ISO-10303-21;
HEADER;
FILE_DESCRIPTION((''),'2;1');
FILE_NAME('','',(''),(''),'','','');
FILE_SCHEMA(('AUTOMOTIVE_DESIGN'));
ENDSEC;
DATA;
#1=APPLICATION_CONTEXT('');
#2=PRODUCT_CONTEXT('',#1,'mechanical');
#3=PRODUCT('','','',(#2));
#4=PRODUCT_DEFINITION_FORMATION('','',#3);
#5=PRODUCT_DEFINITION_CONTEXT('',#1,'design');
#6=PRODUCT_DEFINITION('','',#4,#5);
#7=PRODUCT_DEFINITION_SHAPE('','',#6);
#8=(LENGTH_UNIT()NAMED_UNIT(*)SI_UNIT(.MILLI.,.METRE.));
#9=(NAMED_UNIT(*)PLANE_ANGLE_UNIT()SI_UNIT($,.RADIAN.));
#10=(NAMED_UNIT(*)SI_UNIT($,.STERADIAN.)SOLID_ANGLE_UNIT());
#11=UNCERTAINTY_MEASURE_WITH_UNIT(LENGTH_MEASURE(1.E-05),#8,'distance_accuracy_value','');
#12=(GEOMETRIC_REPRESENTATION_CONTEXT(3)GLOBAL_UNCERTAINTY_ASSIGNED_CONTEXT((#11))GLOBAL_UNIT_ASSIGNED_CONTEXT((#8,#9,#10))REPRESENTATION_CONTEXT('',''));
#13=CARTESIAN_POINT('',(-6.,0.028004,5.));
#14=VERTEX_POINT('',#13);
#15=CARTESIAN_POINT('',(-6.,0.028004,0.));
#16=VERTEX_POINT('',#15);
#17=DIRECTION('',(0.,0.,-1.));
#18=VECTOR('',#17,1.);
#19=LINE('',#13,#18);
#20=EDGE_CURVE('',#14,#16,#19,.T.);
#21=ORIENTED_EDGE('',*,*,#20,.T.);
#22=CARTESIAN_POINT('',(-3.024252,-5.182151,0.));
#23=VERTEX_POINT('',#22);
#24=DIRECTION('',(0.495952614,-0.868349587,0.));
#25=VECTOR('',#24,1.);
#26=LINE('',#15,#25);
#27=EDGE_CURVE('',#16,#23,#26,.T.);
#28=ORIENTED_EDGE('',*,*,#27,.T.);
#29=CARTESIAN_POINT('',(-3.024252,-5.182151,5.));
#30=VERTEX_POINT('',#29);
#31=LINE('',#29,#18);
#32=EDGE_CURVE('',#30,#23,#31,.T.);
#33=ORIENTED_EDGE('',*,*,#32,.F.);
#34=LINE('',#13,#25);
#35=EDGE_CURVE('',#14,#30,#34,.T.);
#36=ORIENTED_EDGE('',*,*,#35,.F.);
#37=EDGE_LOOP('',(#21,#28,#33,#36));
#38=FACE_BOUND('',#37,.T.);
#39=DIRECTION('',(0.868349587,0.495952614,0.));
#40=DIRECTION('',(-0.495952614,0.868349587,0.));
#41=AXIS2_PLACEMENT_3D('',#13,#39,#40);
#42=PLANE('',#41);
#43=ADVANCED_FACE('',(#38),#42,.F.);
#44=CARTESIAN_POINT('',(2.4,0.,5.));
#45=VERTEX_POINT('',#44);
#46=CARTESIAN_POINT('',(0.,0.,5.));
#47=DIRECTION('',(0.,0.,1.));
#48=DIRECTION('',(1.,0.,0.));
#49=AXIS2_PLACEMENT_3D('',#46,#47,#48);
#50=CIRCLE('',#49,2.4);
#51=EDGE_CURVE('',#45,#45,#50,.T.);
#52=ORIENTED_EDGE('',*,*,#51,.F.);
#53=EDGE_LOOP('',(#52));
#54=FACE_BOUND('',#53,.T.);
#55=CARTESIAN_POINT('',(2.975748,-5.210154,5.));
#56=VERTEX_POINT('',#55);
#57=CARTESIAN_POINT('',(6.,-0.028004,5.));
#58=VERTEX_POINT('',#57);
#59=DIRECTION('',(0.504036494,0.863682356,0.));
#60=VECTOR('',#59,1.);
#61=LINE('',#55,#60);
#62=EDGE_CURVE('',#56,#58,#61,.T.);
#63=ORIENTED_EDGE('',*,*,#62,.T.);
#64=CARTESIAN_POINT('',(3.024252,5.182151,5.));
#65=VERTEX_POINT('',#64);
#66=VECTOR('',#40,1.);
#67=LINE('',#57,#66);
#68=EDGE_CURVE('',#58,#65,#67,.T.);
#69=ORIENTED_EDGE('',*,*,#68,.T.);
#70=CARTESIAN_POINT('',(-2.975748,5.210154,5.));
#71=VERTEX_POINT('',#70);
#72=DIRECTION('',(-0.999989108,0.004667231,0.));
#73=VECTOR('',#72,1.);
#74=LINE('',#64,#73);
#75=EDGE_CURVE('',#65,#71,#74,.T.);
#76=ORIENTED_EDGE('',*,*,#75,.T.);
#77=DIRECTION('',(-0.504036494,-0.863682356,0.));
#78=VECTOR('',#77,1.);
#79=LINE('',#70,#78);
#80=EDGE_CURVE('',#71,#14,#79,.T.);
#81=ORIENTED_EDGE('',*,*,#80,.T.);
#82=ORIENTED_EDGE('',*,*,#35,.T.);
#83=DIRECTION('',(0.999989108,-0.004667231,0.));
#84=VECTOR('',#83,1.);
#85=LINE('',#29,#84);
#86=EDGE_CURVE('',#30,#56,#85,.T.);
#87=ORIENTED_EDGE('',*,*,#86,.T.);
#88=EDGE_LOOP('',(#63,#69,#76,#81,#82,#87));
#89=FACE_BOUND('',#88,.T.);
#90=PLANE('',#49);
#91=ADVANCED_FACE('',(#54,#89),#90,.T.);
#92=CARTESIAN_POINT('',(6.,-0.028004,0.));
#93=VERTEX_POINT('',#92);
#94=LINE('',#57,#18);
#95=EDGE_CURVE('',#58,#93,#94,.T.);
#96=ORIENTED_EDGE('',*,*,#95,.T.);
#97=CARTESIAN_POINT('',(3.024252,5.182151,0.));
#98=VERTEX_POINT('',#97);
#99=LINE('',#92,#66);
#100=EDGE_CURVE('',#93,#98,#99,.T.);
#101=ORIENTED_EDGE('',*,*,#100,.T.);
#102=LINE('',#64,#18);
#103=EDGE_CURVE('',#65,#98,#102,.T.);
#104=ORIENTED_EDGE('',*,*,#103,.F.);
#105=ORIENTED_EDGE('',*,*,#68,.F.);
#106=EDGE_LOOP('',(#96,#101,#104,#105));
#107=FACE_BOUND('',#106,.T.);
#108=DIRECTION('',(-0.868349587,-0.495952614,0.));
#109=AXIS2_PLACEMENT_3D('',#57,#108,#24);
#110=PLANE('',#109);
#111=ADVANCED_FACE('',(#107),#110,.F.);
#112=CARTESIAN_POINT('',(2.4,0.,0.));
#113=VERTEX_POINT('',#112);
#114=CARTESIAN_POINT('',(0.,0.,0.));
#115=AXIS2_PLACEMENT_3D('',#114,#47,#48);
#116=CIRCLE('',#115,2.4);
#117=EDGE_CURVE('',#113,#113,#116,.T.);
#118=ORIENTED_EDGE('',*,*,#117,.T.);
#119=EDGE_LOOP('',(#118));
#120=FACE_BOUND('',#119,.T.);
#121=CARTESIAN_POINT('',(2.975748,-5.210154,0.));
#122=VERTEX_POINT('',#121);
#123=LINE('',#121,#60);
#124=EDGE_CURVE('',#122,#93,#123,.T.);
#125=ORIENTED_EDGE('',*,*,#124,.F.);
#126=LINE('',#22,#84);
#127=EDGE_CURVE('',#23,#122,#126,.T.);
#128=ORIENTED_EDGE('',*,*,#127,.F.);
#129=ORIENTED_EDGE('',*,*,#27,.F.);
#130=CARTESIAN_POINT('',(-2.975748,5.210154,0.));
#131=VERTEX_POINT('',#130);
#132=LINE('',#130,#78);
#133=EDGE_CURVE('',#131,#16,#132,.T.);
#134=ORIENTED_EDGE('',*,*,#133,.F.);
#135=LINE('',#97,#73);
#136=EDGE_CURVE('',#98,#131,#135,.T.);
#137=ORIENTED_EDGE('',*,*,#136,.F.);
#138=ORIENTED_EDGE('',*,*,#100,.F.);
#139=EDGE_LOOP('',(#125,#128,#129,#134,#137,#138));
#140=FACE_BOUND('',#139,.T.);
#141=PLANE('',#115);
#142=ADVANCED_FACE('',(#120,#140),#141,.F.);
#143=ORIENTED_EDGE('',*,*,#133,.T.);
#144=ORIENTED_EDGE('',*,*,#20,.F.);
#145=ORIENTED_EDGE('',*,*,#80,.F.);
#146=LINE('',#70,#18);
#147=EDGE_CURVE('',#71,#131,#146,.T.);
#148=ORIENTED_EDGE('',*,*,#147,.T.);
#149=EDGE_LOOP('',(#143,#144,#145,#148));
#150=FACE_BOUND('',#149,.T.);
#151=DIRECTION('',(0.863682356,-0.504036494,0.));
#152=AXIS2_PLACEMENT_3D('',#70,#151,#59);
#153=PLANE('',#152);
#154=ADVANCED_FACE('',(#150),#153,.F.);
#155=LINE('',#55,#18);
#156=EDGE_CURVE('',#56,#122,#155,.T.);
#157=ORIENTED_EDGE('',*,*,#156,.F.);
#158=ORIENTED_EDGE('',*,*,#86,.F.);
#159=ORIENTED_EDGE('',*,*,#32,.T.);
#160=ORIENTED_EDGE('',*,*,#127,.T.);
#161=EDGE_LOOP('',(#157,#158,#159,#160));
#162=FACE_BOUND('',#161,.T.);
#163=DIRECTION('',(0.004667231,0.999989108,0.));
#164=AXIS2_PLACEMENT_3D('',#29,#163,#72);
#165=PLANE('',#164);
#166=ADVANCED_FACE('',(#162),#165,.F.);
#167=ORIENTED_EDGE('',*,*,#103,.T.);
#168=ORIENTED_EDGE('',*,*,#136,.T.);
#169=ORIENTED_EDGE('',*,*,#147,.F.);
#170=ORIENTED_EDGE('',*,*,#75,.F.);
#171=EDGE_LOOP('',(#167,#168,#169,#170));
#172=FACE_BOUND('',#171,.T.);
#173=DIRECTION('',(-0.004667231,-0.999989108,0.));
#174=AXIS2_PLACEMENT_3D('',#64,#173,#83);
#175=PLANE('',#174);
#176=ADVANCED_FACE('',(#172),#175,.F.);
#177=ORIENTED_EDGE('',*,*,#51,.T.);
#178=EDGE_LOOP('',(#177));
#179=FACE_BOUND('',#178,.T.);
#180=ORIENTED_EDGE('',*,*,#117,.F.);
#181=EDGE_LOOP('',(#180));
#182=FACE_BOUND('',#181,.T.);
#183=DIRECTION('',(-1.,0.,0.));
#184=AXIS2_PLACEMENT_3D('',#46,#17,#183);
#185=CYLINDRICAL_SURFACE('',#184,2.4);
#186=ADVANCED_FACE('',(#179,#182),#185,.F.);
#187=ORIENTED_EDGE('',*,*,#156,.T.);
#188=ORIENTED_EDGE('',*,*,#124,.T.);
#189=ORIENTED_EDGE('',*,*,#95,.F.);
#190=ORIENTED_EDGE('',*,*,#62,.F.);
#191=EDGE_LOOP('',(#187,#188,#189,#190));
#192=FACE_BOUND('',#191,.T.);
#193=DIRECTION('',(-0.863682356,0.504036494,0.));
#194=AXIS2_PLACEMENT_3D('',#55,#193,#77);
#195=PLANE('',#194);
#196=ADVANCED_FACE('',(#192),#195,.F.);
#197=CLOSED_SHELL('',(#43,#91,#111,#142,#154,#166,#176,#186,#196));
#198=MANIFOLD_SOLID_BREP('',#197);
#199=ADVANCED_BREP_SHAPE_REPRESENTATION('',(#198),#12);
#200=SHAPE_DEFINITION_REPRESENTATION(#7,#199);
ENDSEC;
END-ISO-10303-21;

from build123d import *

# Parameters (mm, degrees)
SKETCH_1_R      = 2.4
EXTRUDE_1_DEPTH = 5


with BuildPart() as part:
    # 草图1 → 凸台-拉伸1 (new body)
    with BuildSketch(Plane.XY):
        Polygon((-2.975748094, 5.210154267), (-6, 0.028003689), (-3.024251906, -5.182150578), (2.975748094, -5.210154267), (6, -0.028003689), (3.024251906, 5.182150578), align=None)
        Circle(SKETCH_1_R, mode=Mode.SUBTRACT)
    extrude(amount=EXTRUDE_1_DEPTH)


solid = part.part
